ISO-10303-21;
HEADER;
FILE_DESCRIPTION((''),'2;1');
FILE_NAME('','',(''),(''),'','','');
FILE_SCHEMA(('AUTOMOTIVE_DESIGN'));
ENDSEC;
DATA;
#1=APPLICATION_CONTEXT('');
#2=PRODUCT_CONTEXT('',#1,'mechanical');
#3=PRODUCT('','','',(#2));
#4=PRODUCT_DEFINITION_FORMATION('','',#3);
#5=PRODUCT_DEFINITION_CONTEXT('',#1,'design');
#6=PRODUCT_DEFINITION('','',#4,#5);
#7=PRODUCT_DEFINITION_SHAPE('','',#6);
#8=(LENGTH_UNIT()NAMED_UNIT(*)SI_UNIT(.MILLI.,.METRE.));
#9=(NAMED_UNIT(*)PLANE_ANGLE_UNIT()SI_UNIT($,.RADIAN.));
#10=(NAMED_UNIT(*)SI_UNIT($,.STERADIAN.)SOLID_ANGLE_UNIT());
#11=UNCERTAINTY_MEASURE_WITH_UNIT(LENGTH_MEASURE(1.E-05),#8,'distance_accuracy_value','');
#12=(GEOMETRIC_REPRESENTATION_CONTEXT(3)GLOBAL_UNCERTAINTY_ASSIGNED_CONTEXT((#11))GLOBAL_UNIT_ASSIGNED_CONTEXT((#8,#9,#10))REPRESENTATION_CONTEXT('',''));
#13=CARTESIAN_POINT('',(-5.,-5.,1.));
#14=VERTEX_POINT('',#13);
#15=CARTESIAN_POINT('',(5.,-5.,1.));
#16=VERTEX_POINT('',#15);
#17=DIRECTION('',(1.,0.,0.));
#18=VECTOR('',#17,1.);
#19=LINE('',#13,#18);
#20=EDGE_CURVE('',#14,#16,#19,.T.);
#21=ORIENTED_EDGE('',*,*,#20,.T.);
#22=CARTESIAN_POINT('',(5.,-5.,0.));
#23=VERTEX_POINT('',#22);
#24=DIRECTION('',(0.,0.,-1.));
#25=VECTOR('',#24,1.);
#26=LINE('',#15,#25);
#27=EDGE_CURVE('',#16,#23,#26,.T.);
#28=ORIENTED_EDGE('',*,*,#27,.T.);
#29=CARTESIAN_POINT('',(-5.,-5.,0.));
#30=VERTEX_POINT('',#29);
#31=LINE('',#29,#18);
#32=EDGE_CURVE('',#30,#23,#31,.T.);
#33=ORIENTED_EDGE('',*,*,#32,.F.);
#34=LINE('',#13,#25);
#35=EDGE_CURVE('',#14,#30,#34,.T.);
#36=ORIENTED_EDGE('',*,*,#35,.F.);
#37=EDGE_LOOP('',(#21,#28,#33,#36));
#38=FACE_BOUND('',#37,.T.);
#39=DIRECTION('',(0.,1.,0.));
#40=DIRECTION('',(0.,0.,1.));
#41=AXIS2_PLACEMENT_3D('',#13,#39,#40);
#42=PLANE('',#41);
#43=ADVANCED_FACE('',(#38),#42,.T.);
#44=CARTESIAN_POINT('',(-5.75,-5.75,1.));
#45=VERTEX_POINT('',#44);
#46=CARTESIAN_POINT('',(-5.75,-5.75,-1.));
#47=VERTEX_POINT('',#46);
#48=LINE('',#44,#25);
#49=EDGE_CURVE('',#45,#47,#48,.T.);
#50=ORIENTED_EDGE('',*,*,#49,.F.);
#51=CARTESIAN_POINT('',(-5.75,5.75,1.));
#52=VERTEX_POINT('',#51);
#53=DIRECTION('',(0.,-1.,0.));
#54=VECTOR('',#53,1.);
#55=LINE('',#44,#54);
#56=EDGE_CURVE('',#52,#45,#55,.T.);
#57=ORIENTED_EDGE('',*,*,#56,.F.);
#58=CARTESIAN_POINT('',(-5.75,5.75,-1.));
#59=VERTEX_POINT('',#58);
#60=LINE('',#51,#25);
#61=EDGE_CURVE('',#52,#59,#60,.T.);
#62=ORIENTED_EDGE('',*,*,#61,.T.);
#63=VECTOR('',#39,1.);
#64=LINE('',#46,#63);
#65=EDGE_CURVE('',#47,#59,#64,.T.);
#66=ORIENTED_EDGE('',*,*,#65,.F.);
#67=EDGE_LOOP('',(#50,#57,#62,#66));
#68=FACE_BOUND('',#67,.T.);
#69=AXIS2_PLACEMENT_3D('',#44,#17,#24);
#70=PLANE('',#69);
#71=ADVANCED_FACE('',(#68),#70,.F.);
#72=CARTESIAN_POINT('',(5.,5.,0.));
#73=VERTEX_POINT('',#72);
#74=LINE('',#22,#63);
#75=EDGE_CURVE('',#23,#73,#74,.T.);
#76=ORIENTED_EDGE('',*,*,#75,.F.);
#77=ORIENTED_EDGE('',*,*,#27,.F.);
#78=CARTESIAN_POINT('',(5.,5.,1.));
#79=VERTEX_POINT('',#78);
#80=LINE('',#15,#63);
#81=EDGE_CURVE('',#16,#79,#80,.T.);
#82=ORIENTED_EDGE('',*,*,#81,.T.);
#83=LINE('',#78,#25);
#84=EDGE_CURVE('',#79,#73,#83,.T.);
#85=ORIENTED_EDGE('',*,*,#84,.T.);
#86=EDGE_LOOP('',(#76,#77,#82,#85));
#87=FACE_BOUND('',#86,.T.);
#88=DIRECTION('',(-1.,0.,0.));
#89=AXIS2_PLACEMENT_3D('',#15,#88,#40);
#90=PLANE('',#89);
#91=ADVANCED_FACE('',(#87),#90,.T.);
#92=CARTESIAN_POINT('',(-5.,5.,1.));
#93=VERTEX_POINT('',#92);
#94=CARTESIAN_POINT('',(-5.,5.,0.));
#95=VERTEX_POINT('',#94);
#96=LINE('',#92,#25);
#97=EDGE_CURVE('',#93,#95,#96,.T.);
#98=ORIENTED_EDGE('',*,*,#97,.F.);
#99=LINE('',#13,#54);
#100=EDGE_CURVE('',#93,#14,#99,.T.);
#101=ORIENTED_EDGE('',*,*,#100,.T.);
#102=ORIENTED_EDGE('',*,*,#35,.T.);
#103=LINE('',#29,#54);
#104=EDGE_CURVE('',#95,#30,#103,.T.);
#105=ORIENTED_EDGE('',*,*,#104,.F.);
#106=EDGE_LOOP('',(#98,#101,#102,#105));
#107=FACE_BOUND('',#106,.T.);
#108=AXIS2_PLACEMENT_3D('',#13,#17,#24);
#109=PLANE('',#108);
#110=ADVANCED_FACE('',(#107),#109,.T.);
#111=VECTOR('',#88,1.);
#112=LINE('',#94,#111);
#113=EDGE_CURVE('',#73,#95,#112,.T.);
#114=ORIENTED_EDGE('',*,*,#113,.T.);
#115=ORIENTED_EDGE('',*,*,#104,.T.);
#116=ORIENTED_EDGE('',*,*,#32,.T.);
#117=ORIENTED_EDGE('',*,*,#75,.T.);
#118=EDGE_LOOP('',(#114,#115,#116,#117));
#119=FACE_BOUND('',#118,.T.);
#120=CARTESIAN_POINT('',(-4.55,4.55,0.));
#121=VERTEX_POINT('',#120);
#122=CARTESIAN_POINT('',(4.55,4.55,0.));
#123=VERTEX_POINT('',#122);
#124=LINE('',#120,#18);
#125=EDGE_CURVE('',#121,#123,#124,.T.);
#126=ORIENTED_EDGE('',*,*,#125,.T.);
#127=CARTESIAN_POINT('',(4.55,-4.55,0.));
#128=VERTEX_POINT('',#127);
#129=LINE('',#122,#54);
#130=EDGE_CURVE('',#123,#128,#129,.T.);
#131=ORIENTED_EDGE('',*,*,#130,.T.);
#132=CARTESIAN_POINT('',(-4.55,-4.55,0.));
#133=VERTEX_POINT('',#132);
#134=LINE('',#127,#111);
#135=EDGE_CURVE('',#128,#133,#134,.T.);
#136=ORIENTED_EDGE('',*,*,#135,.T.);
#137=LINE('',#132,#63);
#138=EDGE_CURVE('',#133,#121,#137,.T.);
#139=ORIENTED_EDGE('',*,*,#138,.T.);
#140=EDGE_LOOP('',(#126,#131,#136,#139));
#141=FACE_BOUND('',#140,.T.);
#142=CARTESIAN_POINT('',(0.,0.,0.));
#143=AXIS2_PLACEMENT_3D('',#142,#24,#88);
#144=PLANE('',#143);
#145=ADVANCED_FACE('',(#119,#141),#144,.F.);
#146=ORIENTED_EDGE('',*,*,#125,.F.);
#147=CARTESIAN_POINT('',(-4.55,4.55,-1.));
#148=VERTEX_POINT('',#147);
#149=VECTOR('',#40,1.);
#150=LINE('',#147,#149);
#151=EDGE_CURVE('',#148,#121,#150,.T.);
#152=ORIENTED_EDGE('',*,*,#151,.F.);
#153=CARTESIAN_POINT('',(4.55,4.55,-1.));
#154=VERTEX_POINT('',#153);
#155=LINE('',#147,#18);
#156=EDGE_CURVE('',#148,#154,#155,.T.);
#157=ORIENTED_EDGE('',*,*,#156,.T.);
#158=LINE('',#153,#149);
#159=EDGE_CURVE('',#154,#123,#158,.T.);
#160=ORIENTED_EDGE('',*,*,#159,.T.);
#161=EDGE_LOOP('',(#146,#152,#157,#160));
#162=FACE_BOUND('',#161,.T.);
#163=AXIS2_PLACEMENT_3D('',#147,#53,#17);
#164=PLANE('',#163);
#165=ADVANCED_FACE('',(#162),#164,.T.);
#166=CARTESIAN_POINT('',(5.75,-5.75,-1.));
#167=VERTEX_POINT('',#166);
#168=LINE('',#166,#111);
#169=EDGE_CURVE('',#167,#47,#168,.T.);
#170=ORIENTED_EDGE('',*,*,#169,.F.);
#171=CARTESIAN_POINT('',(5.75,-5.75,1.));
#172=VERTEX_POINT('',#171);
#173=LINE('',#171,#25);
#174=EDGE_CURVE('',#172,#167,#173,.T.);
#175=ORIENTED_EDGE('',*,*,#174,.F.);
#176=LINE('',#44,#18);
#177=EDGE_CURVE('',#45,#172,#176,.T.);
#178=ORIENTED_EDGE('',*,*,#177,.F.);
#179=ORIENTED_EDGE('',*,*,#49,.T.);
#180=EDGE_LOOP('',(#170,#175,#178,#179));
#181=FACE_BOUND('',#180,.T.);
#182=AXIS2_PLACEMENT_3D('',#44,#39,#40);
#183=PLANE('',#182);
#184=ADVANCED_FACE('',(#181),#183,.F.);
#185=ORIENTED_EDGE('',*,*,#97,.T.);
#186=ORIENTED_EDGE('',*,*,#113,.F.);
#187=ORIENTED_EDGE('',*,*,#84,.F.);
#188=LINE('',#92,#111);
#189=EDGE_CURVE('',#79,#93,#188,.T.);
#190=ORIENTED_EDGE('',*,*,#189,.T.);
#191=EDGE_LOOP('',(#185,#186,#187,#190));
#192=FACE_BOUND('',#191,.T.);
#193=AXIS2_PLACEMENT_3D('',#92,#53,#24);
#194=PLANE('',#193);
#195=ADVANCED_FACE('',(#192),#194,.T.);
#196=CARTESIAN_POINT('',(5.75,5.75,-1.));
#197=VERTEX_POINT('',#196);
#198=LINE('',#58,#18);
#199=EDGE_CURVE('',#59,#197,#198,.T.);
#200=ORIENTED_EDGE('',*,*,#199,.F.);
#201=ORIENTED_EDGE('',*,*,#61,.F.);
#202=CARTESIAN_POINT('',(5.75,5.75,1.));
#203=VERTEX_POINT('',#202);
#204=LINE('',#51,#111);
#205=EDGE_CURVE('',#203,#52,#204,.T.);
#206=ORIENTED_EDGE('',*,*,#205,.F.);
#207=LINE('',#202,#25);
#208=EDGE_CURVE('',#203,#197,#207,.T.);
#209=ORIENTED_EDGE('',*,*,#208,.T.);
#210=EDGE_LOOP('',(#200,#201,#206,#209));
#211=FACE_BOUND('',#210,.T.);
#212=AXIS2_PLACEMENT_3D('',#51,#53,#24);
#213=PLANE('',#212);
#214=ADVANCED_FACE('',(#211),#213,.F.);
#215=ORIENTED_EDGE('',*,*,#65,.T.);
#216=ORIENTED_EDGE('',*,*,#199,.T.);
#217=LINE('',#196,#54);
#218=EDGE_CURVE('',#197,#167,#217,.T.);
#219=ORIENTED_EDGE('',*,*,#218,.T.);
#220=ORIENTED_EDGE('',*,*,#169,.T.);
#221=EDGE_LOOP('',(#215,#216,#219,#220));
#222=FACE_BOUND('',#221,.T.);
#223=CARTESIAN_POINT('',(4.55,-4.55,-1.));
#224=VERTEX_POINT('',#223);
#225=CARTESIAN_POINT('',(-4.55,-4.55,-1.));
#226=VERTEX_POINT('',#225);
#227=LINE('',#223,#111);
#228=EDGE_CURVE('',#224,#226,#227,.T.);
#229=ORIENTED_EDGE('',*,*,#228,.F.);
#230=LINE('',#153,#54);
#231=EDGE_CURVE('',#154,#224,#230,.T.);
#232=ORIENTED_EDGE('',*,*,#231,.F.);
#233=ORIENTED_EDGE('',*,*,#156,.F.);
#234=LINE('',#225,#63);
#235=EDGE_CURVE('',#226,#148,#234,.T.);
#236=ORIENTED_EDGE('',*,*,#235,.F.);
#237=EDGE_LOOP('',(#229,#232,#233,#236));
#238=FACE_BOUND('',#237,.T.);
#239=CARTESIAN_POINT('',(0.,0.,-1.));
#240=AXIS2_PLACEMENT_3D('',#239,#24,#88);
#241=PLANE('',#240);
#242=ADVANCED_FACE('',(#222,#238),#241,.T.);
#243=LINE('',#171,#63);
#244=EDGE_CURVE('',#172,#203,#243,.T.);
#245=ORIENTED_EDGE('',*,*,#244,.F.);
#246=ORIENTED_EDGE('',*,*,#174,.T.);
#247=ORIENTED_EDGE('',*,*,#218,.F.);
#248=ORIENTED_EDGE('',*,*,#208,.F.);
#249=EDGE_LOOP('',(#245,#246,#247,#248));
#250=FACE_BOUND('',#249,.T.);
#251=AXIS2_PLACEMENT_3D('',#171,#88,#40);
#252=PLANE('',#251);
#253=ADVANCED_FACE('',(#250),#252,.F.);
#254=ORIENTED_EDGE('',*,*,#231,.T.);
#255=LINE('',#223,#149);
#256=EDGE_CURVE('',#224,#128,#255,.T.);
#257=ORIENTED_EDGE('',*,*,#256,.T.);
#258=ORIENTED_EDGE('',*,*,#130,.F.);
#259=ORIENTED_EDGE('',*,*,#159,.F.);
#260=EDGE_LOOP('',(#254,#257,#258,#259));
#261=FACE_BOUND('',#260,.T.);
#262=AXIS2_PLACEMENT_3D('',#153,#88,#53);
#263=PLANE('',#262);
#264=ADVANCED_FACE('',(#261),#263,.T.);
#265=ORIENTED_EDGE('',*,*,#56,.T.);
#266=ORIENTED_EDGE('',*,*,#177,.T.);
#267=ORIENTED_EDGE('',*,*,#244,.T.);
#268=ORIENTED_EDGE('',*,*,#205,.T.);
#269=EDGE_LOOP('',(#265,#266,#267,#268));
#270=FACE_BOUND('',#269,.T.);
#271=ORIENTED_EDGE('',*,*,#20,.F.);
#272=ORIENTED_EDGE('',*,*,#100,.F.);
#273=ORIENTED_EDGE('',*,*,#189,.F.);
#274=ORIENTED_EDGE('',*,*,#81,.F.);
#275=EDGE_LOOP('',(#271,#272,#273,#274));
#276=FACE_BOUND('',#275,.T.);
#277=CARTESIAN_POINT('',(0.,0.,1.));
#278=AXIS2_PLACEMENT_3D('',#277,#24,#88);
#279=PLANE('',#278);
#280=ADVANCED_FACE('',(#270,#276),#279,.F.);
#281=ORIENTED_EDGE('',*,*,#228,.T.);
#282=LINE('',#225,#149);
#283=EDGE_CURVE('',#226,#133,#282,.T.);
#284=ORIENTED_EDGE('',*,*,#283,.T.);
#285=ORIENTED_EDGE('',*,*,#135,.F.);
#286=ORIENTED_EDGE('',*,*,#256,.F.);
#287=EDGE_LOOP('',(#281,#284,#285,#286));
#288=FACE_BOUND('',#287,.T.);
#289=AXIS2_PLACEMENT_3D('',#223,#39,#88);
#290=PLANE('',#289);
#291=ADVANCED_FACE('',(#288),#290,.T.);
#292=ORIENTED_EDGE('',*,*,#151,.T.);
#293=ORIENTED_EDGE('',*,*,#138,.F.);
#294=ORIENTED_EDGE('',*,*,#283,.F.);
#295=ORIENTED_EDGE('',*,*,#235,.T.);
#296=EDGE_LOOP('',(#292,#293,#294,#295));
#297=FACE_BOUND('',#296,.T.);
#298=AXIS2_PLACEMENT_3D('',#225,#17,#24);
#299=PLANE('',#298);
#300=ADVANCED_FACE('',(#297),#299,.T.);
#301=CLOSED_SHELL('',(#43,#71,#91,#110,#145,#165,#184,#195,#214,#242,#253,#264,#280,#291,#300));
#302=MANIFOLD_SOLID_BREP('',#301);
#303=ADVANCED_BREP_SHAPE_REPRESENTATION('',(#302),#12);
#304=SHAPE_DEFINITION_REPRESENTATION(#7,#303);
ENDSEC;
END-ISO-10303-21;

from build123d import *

# Parameters (mm, degrees)
SKETCH_1_W      = 11.5
SKETCH_1_H      = 11.5
SKETCH_1_W_2    = 10
SKETCH_1_H_2    = 10
EXTRUDE_1_DEPTH = 1
SKETCH_2_W      = 11.5
SKETCH_2_H      = 11.5
SKETCH_2_W_2    = 9.1
SKETCH_2_H_2    = 9.1
EXTRUDE_2_DEPTH = 1


with BuildPart() as part:
    # 草图1 → 凸台-拉伸1 (new body)
    with BuildSketch(Plane.XY):
        Rectangle(SKETCH_1_W, SKETCH_1_H)
        Rectangle(SKETCH_1_W_2, SKETCH_1_H_2, mode=Mode.SUBTRACT)
    extrude(amount=EXTRUDE_1_DEPTH)

    # 草图2 → 凸台-拉伸2 (add)
    with BuildSketch(Plane(origin=(0, 0, 0), x_dir=(-1, 0, 0), z_dir=(0, 0, -1))):
        Rectangle(SKETCH_2_W, SKETCH_2_H)
        Rectangle(SKETCH_2_W_2, SKETCH_2_H_2, mode=Mode.SUBTRACT)
    extrude(amount=EXTRUDE_2_DEPTH)


solid = part.part
